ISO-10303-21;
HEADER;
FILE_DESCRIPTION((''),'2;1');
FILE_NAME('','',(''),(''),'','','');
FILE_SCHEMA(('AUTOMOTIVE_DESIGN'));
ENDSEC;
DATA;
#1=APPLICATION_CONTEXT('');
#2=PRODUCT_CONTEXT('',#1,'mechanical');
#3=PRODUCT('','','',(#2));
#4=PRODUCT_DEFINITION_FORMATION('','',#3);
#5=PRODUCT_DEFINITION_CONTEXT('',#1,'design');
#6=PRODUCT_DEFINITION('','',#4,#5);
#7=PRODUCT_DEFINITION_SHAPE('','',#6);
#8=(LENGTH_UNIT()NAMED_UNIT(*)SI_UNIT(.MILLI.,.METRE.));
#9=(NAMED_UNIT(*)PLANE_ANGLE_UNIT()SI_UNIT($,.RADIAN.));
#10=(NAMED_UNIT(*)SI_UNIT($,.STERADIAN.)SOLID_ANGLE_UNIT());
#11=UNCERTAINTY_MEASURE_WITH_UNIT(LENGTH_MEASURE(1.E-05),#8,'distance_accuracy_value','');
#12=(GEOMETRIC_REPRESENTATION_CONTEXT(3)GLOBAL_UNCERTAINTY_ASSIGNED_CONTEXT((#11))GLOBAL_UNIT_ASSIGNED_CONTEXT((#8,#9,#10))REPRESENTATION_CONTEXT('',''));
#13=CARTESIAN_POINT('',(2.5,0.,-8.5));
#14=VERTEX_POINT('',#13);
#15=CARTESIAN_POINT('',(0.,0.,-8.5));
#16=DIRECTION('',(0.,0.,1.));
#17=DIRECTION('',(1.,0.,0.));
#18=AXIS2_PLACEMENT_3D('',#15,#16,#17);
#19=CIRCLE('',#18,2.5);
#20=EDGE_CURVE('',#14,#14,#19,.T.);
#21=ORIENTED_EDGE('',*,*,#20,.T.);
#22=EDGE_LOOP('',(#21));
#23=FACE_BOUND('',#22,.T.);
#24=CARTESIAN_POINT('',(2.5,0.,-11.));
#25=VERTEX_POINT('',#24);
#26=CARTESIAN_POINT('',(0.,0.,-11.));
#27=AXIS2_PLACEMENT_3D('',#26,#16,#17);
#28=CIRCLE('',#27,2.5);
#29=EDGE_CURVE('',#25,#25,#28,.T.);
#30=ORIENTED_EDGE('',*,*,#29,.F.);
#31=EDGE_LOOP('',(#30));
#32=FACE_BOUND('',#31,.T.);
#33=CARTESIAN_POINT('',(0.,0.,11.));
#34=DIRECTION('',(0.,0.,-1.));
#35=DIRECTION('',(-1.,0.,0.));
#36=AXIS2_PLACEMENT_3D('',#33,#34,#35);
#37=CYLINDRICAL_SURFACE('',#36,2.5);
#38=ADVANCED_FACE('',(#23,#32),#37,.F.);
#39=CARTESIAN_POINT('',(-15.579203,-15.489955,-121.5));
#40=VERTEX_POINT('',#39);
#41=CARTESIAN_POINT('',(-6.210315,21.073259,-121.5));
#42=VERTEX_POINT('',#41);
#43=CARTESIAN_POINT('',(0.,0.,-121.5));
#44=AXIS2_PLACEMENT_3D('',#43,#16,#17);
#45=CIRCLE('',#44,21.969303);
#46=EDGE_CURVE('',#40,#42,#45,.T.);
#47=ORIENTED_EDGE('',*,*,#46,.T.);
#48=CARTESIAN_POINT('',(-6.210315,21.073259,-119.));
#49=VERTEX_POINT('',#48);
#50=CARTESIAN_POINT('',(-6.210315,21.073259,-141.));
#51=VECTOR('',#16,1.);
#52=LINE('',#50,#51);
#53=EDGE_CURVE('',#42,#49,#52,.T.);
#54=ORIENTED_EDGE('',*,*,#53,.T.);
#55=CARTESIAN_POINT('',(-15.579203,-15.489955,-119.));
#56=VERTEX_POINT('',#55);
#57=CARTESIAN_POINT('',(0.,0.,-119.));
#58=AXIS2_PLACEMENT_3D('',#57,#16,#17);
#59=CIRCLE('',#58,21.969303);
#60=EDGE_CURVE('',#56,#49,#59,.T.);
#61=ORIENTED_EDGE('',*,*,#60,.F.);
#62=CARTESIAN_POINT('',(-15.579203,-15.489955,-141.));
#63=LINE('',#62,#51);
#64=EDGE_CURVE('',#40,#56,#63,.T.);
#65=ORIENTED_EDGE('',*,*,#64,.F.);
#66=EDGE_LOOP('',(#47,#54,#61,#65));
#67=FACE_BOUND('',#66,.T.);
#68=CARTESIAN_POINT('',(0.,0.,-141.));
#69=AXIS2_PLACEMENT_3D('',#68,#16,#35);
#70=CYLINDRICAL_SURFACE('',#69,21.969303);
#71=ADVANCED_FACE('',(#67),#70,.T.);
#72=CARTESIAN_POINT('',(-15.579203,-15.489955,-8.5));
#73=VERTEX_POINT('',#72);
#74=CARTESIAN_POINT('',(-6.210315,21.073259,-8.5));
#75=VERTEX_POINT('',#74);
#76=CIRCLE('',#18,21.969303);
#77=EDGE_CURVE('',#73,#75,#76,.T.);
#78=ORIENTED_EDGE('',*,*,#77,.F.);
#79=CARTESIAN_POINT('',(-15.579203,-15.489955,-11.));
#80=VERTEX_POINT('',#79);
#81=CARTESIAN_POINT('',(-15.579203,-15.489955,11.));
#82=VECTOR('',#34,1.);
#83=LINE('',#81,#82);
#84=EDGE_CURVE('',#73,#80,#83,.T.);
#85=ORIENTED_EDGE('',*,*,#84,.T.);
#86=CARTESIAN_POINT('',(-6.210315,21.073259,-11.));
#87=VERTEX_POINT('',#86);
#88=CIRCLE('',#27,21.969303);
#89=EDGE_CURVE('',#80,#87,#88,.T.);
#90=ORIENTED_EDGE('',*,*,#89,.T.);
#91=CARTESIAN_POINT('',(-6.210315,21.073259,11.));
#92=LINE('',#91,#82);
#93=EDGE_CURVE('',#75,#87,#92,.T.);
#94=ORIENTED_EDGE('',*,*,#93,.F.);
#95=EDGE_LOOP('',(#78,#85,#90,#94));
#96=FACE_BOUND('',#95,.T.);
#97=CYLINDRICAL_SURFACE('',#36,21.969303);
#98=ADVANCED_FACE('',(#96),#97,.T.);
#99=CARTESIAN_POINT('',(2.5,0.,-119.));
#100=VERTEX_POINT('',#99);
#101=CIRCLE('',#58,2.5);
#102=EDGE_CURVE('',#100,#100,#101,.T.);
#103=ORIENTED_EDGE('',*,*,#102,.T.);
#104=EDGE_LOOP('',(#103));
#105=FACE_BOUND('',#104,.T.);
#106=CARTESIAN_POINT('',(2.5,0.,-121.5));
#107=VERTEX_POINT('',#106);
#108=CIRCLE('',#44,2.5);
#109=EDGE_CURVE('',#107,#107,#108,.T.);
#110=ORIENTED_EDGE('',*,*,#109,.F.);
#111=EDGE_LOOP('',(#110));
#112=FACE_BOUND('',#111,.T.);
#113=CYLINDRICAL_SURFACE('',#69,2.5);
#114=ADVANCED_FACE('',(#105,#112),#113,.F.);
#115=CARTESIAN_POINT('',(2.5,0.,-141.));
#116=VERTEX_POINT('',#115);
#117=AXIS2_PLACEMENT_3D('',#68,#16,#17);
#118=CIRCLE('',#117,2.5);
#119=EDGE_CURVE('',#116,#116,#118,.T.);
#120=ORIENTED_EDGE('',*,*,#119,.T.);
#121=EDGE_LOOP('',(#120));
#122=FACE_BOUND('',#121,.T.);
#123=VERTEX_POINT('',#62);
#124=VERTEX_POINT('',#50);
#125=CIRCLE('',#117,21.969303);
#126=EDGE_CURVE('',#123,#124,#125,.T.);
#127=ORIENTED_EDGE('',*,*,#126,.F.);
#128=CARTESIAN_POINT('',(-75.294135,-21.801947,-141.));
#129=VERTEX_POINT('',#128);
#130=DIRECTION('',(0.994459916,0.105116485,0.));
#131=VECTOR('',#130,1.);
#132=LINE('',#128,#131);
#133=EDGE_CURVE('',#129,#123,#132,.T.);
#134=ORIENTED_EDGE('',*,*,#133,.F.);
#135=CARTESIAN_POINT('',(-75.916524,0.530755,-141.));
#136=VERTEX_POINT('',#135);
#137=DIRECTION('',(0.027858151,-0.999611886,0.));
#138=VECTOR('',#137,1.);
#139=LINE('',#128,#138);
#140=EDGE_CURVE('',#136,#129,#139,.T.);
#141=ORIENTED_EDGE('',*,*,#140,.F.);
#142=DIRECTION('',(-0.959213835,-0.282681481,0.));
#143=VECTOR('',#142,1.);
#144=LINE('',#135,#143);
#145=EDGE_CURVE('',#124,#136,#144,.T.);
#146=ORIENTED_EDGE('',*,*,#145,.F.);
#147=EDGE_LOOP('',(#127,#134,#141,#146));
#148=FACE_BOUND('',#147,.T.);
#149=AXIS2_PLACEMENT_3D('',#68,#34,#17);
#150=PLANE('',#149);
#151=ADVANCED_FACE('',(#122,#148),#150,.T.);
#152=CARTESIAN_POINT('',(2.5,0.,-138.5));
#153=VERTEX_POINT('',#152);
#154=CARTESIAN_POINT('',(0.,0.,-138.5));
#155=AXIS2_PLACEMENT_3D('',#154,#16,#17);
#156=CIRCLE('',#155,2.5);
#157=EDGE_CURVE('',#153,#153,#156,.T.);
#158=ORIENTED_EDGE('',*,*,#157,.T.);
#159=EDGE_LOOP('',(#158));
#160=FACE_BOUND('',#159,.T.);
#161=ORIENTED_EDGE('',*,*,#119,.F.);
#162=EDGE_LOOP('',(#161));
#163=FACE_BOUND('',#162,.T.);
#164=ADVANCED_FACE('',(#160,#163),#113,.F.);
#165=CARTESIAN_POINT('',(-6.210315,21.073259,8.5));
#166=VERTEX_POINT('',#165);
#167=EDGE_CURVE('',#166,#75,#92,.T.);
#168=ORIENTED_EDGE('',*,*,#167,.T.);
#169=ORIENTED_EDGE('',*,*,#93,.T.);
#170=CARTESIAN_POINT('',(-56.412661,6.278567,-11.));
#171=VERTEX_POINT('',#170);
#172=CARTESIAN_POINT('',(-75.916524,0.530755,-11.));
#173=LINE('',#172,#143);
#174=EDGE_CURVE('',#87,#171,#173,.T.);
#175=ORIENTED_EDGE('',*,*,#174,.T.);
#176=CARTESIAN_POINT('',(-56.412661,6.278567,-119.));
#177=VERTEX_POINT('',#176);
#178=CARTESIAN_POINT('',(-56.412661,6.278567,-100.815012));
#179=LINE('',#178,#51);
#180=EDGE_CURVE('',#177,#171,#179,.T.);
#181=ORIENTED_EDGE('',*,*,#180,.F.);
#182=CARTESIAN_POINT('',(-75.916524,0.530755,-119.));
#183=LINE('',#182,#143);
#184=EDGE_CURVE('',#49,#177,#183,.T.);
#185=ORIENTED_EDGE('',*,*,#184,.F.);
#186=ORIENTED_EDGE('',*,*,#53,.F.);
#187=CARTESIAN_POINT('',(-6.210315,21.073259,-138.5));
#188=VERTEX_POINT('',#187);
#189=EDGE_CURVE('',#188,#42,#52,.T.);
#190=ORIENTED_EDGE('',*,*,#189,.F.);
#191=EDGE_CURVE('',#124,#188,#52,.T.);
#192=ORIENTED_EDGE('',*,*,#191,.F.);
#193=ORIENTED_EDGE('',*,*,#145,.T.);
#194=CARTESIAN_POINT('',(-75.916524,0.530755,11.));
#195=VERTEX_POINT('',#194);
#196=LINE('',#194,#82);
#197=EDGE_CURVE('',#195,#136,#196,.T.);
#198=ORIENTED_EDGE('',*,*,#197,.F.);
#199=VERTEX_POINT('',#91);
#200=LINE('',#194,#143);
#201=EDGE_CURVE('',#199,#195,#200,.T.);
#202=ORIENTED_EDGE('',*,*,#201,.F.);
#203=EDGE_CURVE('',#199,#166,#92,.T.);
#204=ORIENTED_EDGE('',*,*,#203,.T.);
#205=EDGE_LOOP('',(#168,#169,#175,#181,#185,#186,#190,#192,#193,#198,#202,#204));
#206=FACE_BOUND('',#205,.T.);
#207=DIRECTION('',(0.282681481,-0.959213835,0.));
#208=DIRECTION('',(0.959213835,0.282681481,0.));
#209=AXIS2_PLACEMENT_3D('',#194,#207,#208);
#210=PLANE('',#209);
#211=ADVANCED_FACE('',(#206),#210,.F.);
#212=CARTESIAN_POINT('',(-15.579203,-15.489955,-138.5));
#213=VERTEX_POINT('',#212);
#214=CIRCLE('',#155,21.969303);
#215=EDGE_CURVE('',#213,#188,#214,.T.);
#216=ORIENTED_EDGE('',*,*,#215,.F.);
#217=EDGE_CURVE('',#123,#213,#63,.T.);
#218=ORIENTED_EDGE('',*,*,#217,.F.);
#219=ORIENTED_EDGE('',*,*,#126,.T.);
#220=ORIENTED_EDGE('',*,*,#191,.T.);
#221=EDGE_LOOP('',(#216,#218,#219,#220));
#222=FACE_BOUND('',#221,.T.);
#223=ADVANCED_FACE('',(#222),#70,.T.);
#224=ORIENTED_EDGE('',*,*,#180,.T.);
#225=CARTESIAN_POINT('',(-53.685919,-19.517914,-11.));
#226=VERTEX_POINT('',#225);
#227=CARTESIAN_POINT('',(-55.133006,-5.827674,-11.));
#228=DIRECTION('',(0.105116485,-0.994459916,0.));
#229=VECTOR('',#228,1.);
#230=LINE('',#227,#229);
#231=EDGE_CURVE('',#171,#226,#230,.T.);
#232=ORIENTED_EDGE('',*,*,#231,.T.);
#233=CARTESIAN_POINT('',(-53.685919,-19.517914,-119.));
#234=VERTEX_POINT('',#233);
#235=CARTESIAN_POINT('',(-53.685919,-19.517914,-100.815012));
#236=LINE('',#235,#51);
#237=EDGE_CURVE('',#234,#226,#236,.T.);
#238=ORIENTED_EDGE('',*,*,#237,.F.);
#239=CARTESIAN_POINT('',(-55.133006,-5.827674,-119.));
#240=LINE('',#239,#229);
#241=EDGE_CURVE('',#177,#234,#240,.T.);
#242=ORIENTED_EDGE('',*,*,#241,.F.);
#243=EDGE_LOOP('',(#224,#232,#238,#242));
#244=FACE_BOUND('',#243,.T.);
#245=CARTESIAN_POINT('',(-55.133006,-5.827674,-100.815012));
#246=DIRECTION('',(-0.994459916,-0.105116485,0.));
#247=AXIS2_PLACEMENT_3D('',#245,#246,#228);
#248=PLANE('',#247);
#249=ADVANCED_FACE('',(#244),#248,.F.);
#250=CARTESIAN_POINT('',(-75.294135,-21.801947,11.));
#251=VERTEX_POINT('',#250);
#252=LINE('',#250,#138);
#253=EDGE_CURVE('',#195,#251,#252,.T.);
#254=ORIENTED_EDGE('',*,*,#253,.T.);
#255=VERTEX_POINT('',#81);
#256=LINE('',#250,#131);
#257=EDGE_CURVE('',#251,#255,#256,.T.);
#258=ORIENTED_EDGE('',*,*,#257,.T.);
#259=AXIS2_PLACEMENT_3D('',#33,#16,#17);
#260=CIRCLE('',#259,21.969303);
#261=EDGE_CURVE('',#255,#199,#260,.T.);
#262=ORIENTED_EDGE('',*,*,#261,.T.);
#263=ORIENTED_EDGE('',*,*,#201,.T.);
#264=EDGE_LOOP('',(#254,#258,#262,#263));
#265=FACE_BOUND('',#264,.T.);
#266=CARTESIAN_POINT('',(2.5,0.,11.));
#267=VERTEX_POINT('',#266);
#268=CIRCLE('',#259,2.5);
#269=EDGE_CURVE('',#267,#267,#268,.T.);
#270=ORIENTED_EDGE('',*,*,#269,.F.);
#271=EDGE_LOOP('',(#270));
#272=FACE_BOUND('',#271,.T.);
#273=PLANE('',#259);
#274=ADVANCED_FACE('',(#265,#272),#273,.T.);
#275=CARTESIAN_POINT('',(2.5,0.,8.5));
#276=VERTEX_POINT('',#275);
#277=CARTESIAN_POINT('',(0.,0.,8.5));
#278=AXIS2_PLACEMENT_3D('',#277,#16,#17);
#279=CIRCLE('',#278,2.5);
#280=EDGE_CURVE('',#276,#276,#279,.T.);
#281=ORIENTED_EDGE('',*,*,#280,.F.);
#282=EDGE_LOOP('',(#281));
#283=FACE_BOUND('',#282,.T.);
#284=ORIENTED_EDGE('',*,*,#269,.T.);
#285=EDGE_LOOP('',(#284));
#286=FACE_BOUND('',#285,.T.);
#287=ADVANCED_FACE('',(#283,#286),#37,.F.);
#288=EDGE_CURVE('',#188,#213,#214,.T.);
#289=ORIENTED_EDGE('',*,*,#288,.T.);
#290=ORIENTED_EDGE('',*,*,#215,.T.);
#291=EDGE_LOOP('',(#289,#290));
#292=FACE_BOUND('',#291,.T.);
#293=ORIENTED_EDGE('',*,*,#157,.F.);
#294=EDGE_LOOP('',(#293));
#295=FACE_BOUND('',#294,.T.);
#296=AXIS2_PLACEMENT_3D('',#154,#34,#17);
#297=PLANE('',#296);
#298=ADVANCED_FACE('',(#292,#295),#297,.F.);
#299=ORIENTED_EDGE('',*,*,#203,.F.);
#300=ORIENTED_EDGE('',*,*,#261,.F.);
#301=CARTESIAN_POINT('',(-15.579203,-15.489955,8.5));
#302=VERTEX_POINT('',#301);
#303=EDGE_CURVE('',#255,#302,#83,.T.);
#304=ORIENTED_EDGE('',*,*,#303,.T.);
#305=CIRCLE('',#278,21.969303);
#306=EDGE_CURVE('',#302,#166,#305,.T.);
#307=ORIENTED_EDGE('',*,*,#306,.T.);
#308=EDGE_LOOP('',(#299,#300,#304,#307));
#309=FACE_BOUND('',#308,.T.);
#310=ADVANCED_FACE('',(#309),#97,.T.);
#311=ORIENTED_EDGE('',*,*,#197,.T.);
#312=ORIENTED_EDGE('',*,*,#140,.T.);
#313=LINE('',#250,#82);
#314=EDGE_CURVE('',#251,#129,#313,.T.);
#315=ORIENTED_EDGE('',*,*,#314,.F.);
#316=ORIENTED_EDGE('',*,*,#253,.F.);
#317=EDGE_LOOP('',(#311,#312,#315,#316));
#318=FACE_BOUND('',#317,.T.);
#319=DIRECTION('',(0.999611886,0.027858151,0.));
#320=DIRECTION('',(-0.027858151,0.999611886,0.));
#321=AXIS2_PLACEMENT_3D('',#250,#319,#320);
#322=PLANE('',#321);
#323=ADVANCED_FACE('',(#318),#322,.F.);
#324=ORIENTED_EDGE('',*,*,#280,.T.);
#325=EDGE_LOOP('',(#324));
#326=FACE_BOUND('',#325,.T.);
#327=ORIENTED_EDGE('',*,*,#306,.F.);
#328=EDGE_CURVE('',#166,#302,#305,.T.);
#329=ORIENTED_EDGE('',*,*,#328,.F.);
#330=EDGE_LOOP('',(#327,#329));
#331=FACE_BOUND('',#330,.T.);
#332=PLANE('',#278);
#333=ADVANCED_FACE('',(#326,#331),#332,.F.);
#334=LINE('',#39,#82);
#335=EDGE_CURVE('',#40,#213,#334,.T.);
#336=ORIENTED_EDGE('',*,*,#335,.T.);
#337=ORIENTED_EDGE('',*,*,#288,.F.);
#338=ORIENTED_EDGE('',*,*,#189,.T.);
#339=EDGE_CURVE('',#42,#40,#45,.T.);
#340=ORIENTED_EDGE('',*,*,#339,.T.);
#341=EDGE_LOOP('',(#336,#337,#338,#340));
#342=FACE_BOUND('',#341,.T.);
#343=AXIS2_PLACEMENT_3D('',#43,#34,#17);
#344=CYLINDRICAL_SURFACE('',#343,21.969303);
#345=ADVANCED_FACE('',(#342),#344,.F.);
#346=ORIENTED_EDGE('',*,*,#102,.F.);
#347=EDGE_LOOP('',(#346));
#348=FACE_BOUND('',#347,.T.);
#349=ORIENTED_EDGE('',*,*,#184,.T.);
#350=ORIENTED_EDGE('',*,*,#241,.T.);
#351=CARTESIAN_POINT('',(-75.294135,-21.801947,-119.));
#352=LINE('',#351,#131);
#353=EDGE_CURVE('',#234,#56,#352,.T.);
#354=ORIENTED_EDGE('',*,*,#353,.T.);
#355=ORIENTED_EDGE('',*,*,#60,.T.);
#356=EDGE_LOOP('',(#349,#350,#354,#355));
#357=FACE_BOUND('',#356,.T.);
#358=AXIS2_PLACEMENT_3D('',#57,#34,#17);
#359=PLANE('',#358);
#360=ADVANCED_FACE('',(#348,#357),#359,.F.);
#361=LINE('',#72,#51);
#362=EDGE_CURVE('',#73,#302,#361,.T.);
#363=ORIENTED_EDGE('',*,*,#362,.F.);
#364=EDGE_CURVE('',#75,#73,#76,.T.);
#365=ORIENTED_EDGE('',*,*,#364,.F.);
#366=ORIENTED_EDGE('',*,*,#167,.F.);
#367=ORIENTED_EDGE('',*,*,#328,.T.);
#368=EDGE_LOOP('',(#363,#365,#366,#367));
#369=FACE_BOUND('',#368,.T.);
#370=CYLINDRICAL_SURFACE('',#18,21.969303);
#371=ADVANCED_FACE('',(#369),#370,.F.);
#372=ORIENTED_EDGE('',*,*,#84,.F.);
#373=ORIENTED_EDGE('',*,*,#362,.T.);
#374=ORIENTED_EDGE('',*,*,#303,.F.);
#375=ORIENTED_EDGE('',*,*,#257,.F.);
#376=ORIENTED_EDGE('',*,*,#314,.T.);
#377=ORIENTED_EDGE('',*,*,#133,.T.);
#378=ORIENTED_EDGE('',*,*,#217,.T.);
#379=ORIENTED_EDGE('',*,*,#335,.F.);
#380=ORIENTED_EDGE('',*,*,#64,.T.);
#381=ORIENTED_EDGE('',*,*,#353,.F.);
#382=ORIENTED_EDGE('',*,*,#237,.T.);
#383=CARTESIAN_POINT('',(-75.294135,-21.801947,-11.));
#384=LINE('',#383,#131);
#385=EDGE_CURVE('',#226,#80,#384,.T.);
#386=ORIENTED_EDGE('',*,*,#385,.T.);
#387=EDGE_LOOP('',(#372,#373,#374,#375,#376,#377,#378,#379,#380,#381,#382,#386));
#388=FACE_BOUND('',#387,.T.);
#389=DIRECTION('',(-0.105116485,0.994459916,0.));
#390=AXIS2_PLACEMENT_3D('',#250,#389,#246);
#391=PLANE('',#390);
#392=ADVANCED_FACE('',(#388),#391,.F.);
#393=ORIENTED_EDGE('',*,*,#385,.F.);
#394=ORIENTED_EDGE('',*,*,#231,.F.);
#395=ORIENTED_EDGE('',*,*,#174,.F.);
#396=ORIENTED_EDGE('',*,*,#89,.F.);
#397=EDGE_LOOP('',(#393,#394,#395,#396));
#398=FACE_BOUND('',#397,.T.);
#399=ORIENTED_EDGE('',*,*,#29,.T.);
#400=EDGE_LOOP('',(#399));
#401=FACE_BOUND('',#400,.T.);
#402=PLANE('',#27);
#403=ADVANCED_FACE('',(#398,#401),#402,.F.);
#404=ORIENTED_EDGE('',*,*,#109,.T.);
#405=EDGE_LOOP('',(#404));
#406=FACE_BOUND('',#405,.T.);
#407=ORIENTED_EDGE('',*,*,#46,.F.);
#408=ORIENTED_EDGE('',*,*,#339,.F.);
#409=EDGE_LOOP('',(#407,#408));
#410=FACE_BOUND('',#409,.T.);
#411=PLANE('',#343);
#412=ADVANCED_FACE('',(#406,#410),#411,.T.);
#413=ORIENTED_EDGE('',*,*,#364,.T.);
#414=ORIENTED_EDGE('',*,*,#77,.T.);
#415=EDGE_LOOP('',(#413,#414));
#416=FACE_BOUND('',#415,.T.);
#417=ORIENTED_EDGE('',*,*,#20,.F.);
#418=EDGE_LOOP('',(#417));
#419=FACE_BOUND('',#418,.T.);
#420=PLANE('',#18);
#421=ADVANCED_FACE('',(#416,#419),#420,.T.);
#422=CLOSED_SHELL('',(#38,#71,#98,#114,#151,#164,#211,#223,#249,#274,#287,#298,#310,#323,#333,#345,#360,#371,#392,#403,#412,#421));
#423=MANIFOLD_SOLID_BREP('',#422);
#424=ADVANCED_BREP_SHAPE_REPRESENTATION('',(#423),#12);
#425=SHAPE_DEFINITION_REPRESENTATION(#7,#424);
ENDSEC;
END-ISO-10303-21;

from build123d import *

# Parameters (mm, degrees)
SKETCH1_R           = 2.5
BOSS_EXTRUDE1_DEPTH = 11
SKETCH2_R           = 21.969303103
CUT_EXTRUDE1_DEPTH  = 8.5
BOSS_EXTRUDE2_DEPTH = 54


with BuildPart() as part:
    # Sketch1 → Boss-Extrude1 (new body, symmetric)
    with BuildSketch(Plane.XY):
        with BuildLine():
            Line((-75.294135102, -21.801947472), (-75.916524457, 0.530755))
            Line((-75.916524457, 0.530755), (-6.210315137, 21.073259471))
            ThreePointArc((-6.210315137, 21.073259471), (21.281751318, -5.453195364), (-15.579203419, -15.489954799))
            Line((-15.579203419, -15.489954799), (-75.294135102, -21.801947472))
        make_face()
        Circle(SKETCH1_R, mode=Mode.SUBTRACT)
    boss_extrude1 = extrude(amount=BOSS_EXTRUDE1_DEPTH, both=True)

    # Sketch2 → Cut-Extrude1 (cut, symmetric)
    with BuildSketch(Plane.XY):
        Circle(SKETCH2_R)
    cut_extrude1 = extrude(amount=CUT_EXTRUDE1_DEPTH, both=True, mode=Mode.SUBTRACT)

    # Sketch3 → Boss-Extrude2 (add)
    with BuildSketch(Plane(origin=(0, 0, -11), x_dir=(-1, 0, 0), z_dir=(0, 0, -1))):
        Polygon((75.294135102, -21.801947472), (75.916524457, 0.530755), (75.60532978, 0.622464449), (56.412661227, 6.278567161), (53.685919424, -19.517914062), align=None)
    boss_extrude2 = extrude(amount=BOSS_EXTRUDE2_DEPTH)

    # Mirror3: Boss-Extrude1, Cut-Extrude1, Boss-Extrude2 across plane
    add(boss_extrude1.mirror(Plane(origin=(-98.145469491, -3.551481911, -65), x_dir=(1, 0, 0), z_dir=(0, 0, 1))))
    add(cut_extrude1.mirror(Plane(origin=(-98.145469491, -3.551481911, -65), x_dir=(1, 0, 0), z_dir=(0, 0, 1))), mode=Mode.SUBTRACT)
    add(boss_extrude2.mirror(Plane(origin=(-98.145469491, -3.551481911, -65), x_dir=(1, 0, 0), z_dir=(0, 0, 1))))


solid = part.part
